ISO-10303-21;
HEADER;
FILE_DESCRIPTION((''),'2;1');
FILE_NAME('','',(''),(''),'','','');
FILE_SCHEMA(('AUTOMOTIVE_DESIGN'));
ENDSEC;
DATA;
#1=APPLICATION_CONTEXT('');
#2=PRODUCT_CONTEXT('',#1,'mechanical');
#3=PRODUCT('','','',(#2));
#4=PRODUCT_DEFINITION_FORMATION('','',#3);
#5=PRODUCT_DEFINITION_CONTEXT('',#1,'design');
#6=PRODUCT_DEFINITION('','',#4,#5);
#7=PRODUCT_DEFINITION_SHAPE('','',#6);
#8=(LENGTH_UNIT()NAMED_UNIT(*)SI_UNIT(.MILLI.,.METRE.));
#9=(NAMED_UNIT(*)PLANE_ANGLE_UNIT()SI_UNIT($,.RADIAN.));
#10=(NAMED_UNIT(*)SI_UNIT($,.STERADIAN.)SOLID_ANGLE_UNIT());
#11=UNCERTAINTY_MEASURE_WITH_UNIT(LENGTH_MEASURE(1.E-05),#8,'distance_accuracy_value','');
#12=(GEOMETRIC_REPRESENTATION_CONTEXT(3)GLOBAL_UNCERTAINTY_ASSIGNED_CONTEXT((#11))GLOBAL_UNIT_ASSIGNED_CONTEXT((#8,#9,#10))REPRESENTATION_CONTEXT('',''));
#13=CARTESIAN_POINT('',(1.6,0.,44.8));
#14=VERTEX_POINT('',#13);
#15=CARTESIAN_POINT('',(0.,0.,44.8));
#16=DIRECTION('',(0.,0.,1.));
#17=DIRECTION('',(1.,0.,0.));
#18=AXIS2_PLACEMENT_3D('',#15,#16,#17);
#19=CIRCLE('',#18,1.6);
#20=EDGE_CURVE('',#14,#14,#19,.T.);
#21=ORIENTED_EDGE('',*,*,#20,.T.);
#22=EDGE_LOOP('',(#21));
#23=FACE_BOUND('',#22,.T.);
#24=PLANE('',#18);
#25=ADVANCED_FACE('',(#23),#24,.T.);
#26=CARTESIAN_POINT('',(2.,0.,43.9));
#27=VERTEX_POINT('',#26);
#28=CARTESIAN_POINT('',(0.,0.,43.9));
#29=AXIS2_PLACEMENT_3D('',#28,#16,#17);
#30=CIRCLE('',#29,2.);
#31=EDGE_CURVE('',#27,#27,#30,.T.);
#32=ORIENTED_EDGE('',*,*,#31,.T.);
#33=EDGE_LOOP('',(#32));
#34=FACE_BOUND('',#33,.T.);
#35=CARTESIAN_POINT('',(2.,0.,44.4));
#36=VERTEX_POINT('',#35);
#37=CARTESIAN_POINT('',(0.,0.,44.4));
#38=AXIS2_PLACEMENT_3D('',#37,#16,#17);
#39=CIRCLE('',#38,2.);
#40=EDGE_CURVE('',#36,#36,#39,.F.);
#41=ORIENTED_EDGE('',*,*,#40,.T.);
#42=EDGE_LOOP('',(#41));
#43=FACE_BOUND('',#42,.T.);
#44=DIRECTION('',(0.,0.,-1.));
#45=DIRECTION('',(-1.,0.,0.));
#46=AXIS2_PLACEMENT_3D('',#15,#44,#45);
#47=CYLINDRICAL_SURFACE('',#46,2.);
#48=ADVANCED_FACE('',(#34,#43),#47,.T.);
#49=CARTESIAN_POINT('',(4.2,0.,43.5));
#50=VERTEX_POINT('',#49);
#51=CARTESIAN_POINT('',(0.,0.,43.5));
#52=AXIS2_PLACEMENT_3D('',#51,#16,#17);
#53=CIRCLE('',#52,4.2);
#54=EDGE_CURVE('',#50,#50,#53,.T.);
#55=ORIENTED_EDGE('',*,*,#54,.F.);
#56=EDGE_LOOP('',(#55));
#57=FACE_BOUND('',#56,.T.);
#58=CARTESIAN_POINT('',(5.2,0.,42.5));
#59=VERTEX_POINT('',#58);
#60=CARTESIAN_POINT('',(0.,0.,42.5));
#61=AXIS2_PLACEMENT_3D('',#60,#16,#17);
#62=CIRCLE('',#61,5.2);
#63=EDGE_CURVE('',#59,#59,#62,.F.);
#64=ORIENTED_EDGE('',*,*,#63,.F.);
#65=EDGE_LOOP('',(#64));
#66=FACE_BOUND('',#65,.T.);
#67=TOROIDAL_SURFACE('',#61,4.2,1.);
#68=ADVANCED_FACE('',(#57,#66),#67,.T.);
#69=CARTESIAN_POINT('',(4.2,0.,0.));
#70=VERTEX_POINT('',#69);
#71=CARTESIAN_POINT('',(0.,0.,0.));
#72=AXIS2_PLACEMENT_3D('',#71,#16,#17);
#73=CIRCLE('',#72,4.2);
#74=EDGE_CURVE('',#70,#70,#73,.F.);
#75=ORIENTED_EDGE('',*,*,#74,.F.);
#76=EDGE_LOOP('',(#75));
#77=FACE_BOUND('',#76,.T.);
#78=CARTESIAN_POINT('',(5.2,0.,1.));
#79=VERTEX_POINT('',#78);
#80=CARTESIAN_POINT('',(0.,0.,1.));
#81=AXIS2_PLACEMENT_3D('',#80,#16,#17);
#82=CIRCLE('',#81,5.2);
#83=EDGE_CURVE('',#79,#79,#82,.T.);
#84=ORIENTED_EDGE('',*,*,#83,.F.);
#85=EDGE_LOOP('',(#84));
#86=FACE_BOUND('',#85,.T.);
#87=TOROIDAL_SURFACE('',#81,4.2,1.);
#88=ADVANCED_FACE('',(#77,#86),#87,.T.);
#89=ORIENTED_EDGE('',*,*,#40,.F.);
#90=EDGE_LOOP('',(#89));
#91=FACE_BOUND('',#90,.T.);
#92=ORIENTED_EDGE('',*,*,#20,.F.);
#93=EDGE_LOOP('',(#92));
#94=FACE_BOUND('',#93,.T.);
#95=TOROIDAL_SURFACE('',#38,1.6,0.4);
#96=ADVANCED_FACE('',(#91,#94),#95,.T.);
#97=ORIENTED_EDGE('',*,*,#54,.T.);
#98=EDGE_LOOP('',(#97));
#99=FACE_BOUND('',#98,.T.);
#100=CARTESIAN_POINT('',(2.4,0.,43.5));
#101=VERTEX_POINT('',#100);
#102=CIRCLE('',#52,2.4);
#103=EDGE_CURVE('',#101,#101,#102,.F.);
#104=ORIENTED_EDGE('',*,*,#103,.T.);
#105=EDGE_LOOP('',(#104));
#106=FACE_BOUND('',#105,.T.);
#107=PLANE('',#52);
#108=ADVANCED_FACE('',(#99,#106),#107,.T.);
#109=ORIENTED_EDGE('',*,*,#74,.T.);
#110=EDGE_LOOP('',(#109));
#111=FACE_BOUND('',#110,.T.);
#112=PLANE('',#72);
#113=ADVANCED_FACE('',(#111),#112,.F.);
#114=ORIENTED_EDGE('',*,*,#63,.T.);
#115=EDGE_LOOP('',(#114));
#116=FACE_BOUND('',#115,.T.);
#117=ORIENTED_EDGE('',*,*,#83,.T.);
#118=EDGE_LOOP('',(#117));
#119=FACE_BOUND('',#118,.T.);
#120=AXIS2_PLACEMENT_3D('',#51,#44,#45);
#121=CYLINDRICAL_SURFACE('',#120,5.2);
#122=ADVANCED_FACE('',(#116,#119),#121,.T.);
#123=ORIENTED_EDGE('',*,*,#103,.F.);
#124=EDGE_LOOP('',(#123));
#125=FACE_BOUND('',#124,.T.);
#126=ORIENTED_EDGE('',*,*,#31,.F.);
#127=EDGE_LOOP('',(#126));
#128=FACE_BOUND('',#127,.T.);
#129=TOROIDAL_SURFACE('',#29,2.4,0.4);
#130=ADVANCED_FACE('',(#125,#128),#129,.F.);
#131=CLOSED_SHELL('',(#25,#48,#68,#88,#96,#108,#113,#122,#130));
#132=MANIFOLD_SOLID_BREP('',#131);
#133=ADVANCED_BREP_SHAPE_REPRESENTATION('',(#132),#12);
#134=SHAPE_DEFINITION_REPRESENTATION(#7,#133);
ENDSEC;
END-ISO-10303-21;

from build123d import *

# Parameters (mm, degrees)
SKETCH1_R           = 5.2
BOSS_EXTRUDE1_DEPTH = 43.5
SKETCH2_R           = 2
BOSS_EXTRUDE2_DEPTH = 1.3
FILLET1_R           = 1
FILLET2_R           = 0.4


with BuildPart() as part:
    # Sketch1 → Boss-Extrude1 (new body)
    with BuildSketch(Plane.XY):
        Circle(SKETCH1_R)
    extrude(amount=BOSS_EXTRUDE1_DEPTH)

    # Sketch2 → Boss-Extrude2 (add)
    with BuildSketch(Plane.XY.offset(43.5)):
        Circle(SKETCH2_R)
    extrude(amount=BOSS_EXTRUDE2_DEPTH)

    # Fillet1
    fillet1_edges = [part.edges().sort_by_distance(p)[0] for p in [
        (-5.2, 0, 0),
        (-5.2, 0, 43.5),
    ]]
    fillet(fillet1_edges, radius=FILLET1_R)

    # Fillet2
    fillet2_edges = [part.edges().sort_by_distance(p)[0] for p in [
        (-2, 0, 43.5),
        (-2, 0, 44.8),
    ]]
    fillet(fillet2_edges, radius=FILLET2_R)


solid = part.part
